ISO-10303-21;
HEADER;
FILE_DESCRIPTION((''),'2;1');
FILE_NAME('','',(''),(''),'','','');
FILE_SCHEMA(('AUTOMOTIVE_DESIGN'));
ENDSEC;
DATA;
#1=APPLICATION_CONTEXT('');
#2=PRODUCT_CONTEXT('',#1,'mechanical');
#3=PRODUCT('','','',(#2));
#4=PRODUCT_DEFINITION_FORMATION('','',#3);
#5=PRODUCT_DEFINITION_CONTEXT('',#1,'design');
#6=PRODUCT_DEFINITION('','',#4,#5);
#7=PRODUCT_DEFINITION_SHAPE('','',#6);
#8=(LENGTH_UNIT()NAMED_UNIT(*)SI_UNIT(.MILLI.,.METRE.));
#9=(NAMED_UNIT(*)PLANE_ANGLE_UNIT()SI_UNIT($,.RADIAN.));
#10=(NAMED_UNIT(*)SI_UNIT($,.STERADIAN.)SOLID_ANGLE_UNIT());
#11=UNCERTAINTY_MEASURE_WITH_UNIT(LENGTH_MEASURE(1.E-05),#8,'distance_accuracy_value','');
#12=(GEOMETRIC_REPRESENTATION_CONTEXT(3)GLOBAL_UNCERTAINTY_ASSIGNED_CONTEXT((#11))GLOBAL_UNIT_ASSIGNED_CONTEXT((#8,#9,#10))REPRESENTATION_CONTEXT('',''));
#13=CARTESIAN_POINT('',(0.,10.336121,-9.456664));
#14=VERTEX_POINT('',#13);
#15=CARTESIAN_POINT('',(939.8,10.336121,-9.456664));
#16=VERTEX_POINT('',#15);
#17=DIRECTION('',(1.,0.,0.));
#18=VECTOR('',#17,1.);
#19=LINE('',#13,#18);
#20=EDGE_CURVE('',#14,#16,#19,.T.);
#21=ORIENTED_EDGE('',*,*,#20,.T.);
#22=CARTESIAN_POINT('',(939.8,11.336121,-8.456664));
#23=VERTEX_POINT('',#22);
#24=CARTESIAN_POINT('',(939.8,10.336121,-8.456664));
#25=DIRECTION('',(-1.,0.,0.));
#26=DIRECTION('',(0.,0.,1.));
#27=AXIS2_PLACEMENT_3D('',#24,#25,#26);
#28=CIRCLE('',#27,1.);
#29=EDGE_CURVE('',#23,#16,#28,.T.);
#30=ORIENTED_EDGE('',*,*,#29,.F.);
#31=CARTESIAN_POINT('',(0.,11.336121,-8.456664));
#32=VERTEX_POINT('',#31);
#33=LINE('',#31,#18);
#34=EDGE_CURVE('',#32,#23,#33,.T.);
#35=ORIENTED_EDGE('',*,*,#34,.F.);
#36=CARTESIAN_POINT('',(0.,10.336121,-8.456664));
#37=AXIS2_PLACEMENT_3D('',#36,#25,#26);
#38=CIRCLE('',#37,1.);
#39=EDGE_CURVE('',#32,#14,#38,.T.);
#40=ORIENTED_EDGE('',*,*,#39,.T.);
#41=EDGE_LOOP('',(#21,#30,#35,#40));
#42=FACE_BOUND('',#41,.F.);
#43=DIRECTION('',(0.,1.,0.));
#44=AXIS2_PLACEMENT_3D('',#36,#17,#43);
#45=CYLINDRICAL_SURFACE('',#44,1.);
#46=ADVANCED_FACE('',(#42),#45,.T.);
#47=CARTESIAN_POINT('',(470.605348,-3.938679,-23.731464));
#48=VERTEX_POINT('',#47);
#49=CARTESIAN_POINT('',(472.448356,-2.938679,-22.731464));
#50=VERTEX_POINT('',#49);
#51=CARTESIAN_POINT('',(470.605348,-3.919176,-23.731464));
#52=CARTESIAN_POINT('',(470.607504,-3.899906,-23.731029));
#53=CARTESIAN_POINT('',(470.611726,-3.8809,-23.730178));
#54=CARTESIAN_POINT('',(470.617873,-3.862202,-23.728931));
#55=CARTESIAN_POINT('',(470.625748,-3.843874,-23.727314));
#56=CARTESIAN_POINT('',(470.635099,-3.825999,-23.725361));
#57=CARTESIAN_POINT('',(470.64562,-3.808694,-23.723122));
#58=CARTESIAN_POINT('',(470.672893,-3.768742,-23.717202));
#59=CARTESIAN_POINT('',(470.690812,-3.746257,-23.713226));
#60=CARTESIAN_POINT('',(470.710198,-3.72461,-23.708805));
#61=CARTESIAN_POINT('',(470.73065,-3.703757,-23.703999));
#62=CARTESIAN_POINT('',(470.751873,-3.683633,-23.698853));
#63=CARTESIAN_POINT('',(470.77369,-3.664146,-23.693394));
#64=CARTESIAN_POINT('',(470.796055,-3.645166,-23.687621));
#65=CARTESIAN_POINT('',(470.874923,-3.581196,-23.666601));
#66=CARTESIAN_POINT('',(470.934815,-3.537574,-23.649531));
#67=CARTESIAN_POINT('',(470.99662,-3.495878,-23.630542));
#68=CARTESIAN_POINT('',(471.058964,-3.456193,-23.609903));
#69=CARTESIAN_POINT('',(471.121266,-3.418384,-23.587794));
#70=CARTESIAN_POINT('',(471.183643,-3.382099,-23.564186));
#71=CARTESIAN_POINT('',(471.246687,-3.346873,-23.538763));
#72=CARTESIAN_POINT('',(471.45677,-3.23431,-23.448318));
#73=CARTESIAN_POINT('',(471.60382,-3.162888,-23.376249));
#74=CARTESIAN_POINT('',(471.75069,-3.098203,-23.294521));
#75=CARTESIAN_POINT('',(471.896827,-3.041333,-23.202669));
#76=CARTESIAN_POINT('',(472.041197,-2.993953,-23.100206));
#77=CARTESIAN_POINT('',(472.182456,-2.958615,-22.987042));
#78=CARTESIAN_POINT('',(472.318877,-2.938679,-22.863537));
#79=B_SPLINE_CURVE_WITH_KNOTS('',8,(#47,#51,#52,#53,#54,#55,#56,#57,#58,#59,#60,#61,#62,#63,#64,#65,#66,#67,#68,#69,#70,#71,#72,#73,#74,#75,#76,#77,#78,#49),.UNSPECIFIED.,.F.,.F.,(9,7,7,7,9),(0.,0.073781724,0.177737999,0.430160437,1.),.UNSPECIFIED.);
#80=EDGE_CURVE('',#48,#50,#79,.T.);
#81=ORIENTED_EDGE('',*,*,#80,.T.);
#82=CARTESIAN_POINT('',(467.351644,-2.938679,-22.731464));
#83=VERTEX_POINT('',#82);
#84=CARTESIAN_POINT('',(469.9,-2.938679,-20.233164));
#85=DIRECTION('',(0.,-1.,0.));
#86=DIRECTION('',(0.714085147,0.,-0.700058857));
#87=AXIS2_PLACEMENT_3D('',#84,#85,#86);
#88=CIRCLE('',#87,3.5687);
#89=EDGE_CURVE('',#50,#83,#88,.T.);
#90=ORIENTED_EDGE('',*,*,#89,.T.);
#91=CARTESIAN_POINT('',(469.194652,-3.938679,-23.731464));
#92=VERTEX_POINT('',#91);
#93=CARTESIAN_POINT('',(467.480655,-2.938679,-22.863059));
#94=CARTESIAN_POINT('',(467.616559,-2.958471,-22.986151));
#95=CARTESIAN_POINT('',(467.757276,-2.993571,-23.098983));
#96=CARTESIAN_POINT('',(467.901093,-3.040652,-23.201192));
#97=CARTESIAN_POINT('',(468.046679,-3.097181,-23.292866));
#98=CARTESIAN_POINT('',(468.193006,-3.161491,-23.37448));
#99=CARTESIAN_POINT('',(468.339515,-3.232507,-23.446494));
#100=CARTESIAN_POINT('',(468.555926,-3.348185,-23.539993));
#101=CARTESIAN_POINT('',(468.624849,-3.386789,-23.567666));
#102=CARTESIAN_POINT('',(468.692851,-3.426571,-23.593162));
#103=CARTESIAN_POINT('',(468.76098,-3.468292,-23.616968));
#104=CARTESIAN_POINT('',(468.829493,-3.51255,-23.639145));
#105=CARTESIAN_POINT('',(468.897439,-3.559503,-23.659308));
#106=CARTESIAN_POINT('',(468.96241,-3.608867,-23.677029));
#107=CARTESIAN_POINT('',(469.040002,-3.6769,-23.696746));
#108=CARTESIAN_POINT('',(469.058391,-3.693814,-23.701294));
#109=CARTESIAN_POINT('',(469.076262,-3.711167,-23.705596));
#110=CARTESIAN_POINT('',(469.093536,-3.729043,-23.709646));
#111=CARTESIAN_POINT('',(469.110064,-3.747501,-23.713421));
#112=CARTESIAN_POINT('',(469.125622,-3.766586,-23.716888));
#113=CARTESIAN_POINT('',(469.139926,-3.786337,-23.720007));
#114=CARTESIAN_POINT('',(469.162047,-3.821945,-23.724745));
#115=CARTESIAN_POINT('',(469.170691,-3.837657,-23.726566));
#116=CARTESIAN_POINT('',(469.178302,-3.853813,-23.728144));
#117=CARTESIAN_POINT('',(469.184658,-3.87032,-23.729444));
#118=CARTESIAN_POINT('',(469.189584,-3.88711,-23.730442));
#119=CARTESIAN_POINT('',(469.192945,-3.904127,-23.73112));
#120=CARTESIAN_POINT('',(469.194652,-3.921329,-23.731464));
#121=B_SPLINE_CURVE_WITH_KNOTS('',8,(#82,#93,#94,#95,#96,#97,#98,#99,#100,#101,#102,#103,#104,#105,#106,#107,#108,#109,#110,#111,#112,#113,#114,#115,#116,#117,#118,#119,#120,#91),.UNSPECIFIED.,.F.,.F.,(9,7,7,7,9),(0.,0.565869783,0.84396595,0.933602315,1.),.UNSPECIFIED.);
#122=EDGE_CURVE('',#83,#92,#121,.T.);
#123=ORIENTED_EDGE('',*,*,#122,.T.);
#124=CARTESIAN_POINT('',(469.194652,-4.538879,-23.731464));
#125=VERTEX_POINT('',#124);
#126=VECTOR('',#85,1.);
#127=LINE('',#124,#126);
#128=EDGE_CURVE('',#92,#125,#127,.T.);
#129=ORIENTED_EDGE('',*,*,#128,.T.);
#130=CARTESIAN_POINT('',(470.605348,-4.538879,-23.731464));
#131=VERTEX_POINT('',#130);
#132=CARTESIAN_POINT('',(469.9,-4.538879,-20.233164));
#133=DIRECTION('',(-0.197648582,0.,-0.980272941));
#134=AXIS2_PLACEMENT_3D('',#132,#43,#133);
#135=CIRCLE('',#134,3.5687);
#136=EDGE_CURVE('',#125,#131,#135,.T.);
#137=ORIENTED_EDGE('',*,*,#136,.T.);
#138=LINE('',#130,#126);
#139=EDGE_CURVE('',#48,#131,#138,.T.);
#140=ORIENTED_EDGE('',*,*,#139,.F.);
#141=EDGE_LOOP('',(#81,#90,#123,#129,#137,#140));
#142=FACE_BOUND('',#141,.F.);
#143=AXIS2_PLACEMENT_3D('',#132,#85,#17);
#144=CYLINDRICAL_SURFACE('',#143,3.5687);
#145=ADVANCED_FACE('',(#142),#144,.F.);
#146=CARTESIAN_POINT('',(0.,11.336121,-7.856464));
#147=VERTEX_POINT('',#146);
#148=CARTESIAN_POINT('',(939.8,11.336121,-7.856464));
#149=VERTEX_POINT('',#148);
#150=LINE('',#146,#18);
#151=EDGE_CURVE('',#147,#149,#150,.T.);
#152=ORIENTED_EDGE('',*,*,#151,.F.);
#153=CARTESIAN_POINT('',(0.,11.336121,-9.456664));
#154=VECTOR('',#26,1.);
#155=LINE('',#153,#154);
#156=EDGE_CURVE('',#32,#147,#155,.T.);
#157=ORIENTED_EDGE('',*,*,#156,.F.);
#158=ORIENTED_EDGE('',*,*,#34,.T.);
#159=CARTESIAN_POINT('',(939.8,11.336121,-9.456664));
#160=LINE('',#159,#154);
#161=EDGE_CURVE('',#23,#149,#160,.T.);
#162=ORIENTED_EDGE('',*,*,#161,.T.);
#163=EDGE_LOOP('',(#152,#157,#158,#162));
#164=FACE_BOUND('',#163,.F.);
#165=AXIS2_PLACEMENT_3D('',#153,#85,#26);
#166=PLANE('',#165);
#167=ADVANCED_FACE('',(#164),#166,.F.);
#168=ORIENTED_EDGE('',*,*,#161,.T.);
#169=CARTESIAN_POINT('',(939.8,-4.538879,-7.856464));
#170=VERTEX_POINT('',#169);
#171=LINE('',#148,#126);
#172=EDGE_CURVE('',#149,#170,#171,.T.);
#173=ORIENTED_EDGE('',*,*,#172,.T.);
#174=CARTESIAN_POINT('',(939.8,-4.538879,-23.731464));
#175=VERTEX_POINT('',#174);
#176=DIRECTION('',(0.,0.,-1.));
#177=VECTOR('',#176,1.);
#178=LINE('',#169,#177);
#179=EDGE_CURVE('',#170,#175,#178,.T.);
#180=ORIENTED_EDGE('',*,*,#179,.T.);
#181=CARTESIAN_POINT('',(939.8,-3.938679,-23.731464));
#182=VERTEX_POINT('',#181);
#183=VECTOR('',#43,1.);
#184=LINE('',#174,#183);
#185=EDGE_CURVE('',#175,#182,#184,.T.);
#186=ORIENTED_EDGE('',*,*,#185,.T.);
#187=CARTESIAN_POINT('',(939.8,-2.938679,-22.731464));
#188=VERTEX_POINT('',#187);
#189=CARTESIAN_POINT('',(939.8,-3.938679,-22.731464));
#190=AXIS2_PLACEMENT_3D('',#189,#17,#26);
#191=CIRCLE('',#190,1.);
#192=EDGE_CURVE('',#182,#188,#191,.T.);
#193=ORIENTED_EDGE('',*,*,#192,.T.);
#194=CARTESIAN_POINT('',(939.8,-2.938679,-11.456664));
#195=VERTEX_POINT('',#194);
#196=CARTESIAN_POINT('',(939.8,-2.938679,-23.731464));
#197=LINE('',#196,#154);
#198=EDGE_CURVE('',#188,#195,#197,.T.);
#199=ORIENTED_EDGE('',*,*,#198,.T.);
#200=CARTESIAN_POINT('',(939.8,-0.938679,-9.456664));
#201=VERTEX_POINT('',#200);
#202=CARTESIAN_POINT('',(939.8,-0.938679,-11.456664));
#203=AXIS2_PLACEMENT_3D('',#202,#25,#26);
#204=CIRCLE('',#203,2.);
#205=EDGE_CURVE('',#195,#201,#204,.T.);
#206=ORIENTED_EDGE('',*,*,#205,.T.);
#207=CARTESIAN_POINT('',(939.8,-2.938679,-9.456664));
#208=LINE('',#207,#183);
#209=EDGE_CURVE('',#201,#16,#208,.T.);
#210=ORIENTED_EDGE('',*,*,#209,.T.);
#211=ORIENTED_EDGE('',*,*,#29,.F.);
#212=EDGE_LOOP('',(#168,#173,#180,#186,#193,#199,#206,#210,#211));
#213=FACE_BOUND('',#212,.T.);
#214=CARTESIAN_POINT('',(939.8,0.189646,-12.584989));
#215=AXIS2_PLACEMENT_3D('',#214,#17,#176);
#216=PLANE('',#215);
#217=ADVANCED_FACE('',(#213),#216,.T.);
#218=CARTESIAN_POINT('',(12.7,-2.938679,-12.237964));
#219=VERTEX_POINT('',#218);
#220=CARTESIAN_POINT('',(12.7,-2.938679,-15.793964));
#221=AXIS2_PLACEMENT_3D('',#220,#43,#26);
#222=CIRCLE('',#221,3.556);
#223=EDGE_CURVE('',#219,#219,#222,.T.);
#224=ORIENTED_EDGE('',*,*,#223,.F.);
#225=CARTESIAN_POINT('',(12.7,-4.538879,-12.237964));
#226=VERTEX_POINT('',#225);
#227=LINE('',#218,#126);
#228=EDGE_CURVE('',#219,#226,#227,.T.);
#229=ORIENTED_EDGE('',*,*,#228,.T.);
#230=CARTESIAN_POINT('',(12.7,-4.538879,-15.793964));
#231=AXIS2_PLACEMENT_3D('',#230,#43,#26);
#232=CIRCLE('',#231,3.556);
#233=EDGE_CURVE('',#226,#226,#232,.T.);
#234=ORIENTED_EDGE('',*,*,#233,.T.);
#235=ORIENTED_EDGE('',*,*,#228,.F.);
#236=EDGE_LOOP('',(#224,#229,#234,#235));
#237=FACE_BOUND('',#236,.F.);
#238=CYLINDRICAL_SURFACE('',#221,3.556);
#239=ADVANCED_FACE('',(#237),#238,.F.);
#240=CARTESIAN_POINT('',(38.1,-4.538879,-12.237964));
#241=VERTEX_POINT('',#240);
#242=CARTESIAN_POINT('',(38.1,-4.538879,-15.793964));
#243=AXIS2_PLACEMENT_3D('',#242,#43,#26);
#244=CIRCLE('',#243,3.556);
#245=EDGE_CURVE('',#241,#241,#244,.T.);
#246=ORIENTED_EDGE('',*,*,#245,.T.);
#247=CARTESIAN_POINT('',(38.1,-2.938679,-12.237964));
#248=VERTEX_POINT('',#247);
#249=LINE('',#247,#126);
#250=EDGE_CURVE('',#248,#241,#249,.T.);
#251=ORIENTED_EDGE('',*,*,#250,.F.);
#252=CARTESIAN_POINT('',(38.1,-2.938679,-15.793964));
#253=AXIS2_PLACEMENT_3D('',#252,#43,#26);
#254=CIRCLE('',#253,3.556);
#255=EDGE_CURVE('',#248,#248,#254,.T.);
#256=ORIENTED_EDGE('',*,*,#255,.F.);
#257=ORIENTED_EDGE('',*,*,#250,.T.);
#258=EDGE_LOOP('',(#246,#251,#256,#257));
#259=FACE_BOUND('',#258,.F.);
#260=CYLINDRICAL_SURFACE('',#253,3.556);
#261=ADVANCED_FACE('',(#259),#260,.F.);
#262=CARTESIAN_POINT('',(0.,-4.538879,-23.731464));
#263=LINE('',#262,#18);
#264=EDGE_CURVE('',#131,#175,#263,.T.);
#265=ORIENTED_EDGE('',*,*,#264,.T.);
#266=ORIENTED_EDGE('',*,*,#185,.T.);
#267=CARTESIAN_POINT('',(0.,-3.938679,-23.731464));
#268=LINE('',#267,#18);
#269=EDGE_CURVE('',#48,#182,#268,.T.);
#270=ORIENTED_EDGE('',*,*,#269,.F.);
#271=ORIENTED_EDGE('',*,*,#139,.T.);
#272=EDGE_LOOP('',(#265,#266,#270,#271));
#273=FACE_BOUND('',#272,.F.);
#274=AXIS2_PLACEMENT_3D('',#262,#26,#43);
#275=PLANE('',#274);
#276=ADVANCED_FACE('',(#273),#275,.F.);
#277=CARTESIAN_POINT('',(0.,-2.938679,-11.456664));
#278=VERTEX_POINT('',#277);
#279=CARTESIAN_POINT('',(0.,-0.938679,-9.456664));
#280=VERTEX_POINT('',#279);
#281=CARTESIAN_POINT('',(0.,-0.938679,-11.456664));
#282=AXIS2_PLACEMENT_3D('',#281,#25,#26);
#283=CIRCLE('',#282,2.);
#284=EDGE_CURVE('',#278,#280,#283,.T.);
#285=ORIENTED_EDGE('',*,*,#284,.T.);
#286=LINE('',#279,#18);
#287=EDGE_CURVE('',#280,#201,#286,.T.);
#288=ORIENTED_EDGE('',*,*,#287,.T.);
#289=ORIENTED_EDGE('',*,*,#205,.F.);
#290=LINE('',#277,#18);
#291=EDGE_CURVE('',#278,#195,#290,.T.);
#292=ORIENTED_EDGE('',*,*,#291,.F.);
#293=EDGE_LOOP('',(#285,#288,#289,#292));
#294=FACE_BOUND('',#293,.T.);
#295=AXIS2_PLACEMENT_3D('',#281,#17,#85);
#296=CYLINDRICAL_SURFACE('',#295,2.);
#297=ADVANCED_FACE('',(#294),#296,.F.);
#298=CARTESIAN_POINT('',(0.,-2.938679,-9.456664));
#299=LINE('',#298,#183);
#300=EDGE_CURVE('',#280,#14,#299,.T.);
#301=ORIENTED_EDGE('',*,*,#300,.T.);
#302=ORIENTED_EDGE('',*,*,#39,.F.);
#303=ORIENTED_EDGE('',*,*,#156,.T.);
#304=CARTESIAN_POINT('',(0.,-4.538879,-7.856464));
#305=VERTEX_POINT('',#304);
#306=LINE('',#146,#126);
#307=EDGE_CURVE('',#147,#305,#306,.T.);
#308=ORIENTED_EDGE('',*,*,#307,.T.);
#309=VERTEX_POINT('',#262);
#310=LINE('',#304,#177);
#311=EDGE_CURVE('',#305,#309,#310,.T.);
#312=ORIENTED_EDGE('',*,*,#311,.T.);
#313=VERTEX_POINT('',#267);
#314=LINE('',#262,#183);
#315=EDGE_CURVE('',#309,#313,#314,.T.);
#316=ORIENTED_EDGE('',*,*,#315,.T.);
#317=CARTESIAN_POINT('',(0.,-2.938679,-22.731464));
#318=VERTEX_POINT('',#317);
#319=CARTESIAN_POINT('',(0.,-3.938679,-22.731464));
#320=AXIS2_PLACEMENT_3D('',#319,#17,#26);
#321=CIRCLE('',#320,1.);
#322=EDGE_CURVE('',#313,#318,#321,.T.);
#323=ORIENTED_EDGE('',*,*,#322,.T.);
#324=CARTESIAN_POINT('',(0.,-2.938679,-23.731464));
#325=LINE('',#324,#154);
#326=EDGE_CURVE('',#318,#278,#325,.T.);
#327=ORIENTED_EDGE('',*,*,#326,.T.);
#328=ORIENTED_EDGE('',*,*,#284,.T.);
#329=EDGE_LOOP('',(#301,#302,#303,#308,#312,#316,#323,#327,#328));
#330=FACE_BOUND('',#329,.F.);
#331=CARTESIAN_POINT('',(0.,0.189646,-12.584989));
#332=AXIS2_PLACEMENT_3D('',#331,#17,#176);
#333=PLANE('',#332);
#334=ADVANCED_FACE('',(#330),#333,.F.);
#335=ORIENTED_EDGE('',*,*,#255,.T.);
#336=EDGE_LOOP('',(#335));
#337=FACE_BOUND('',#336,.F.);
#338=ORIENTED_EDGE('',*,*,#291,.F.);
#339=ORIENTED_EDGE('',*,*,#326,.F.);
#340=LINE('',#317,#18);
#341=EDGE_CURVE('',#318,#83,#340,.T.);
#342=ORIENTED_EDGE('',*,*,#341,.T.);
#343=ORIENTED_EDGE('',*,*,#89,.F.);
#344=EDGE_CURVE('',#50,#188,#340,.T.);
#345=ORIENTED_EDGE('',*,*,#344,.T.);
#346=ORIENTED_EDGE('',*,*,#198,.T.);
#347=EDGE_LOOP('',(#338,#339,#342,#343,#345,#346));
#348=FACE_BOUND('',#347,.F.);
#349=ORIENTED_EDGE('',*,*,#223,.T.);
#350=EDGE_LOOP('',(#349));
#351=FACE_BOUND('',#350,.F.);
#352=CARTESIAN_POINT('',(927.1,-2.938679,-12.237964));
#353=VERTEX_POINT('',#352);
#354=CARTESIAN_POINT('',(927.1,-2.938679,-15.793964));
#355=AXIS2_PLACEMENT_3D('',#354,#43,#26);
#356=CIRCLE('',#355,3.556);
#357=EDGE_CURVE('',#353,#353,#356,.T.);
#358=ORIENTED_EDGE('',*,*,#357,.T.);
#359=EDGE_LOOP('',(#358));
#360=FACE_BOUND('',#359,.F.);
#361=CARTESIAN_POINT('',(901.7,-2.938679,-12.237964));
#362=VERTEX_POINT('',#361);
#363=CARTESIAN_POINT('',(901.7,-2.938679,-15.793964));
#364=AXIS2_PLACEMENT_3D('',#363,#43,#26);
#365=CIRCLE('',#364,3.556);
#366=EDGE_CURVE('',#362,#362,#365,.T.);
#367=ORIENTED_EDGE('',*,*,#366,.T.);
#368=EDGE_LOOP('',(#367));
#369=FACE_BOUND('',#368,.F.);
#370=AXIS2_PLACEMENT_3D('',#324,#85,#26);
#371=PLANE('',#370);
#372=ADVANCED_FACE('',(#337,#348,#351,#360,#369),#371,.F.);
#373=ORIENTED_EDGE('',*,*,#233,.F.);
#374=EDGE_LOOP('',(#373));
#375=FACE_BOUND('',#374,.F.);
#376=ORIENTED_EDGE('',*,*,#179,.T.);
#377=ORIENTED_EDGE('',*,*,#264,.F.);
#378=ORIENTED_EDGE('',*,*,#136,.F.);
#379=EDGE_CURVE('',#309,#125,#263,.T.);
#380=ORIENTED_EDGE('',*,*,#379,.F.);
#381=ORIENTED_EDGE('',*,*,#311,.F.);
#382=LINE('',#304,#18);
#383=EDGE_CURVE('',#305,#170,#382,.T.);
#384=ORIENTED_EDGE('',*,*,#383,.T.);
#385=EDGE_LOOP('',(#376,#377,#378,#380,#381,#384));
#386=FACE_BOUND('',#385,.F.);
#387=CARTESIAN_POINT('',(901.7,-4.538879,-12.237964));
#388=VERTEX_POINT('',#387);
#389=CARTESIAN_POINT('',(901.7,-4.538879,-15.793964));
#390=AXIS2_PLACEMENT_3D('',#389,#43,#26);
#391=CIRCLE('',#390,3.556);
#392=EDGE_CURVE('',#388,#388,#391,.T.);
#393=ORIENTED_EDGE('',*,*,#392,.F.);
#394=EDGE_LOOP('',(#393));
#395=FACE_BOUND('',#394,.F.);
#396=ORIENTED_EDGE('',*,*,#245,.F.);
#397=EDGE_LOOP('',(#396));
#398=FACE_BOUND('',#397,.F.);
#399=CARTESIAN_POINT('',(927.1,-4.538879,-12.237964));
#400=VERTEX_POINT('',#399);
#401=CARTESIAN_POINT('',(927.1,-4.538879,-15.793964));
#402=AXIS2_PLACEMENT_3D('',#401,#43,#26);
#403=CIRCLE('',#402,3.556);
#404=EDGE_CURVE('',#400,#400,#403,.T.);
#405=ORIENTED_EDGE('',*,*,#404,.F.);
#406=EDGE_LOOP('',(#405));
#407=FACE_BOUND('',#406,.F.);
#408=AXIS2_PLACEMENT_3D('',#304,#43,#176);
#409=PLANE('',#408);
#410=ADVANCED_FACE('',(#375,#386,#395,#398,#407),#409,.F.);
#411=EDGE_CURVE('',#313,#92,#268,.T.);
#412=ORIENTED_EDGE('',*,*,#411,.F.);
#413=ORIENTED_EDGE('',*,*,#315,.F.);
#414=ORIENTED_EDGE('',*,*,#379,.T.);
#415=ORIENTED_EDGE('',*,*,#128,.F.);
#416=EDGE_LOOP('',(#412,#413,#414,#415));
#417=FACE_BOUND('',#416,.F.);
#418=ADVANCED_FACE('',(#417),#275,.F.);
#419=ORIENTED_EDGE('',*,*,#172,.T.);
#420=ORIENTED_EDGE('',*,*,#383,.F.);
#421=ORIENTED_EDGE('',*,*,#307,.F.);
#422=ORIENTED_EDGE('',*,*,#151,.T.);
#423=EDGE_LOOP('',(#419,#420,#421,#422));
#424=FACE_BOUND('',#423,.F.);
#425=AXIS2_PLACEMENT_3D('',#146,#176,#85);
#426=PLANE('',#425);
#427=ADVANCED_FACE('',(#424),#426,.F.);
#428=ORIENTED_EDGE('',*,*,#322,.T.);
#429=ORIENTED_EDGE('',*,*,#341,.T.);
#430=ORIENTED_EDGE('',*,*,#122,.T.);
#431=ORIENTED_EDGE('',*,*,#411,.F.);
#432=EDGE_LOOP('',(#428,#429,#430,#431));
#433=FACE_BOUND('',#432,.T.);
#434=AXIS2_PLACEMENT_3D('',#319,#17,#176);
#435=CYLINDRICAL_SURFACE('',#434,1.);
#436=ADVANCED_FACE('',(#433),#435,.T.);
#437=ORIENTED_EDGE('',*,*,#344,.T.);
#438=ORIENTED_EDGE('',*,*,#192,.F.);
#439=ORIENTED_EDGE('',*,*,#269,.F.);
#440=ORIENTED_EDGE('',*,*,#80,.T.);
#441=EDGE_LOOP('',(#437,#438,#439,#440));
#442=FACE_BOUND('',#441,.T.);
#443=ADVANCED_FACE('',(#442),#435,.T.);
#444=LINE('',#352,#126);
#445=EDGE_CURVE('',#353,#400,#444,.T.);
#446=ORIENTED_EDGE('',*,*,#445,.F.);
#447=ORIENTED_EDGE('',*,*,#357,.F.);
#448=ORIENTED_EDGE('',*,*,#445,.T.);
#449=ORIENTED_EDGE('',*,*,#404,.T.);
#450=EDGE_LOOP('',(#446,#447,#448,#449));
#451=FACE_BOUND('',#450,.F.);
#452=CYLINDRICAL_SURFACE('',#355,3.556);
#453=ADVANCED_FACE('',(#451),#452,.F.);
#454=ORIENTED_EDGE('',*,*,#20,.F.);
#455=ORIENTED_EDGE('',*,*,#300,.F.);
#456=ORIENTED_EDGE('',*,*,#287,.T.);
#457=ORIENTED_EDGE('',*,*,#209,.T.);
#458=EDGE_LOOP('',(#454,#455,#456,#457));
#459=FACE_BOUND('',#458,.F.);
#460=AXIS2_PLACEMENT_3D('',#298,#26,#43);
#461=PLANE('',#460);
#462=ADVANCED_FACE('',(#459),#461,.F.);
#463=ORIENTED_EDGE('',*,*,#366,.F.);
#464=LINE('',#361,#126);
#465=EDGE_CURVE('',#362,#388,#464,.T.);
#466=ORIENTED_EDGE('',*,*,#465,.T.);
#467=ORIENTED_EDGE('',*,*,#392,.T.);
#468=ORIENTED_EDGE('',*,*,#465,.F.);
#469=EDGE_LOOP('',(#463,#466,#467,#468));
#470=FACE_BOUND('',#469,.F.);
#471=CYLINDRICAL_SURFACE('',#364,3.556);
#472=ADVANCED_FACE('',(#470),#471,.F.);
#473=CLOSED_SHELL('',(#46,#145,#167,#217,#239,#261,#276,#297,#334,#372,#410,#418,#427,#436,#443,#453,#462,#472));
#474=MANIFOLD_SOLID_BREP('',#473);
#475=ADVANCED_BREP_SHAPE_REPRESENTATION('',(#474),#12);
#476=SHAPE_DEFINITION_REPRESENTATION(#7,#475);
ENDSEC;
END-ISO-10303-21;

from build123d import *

# Parameters (mm, degrees)
BOSS_EXTRUDE1_DEPTH = 939.8
SKETCH2_R           = 3.556
CUT_EXTRUDE1_DEPTH  = 941.207951624
FILLET1_R           = 1
FILLET2_R           = 2
SKETCH4_R           = 3.5687
CUT_EXTRUDE2_DEPTH  = 941.23360821


with BuildPart() as part:
    # Sketch1 → Boss-Extrude1 (new body)
    with BuildSketch(Plane(origin=(0, 0, 0), x_dir=(0, 0, -1), z_dir=(1, 0, 0))):
        Polygon((7.856463982, 11.336121381), (7.856463982, -4.538878619), (23.731463982, -4.538878619), (23.731463982, -2.938678619), (9.456663982, -2.938678619), (9.456663982, 11.336121381), align=None)
    extrude(amount=BOSS_EXTRUDE1_DEPTH)

    # Sketch2 → Cut-Extrude1 (cut, through all)
    with BuildSketch(Plane(origin=(0, -2.938678619, 0), x_dir=(1, 0, 0), z_dir=(0, 1, 0))):
        with Locations(Location((12.7, 15.793963982, 0), (0, 0, 270))):
            Circle(SKETCH2_R)
        with Locations(Location((38.1, 15.793963982, 0), (0, 0, 270))):
            Circle(SKETCH2_R)
        with Locations(Location((927.1, 15.793963982, 0), (0, 0, 270))):
            Circle(SKETCH2_R)
        with Locations(Location((901.7, 15.793963982, 0), (0, 0, 270))):
            Circle(SKETCH2_R)
    extrude(amount=-CUT_EXTRUDE1_DEPTH, mode=Mode.SUBTRACT)

    # Fillet1
    fillet1_edges = [part.edges().sort_by_distance(p)[0] for p in [
        (469.9, 11.336121381, -9.456663982),
        (469.9, -2.938678619, -23.731463982),
    ]]
    fillet(fillet1_edges, radius=FILLET1_R)

    # Fillet2
    fillet2_edges = [part.edges().sort_by_distance(p)[0] for p in [
        (469.9, -2.938678619, -9.456663982),
    ]]
    fillet(fillet2_edges, radius=FILLET2_R)

    # Sketch4 → Cut-Extrude2 (cut, through all)
    with BuildSketch(Plane.XZ.offset(4.538878619)):
        with Locations((469.900000001, -20.233163939)):
            Circle(SKETCH4_R)
    extrude(amount=-CUT_EXTRUDE2_DEPTH, mode=Mode.SUBTRACT)


solid = part.part
